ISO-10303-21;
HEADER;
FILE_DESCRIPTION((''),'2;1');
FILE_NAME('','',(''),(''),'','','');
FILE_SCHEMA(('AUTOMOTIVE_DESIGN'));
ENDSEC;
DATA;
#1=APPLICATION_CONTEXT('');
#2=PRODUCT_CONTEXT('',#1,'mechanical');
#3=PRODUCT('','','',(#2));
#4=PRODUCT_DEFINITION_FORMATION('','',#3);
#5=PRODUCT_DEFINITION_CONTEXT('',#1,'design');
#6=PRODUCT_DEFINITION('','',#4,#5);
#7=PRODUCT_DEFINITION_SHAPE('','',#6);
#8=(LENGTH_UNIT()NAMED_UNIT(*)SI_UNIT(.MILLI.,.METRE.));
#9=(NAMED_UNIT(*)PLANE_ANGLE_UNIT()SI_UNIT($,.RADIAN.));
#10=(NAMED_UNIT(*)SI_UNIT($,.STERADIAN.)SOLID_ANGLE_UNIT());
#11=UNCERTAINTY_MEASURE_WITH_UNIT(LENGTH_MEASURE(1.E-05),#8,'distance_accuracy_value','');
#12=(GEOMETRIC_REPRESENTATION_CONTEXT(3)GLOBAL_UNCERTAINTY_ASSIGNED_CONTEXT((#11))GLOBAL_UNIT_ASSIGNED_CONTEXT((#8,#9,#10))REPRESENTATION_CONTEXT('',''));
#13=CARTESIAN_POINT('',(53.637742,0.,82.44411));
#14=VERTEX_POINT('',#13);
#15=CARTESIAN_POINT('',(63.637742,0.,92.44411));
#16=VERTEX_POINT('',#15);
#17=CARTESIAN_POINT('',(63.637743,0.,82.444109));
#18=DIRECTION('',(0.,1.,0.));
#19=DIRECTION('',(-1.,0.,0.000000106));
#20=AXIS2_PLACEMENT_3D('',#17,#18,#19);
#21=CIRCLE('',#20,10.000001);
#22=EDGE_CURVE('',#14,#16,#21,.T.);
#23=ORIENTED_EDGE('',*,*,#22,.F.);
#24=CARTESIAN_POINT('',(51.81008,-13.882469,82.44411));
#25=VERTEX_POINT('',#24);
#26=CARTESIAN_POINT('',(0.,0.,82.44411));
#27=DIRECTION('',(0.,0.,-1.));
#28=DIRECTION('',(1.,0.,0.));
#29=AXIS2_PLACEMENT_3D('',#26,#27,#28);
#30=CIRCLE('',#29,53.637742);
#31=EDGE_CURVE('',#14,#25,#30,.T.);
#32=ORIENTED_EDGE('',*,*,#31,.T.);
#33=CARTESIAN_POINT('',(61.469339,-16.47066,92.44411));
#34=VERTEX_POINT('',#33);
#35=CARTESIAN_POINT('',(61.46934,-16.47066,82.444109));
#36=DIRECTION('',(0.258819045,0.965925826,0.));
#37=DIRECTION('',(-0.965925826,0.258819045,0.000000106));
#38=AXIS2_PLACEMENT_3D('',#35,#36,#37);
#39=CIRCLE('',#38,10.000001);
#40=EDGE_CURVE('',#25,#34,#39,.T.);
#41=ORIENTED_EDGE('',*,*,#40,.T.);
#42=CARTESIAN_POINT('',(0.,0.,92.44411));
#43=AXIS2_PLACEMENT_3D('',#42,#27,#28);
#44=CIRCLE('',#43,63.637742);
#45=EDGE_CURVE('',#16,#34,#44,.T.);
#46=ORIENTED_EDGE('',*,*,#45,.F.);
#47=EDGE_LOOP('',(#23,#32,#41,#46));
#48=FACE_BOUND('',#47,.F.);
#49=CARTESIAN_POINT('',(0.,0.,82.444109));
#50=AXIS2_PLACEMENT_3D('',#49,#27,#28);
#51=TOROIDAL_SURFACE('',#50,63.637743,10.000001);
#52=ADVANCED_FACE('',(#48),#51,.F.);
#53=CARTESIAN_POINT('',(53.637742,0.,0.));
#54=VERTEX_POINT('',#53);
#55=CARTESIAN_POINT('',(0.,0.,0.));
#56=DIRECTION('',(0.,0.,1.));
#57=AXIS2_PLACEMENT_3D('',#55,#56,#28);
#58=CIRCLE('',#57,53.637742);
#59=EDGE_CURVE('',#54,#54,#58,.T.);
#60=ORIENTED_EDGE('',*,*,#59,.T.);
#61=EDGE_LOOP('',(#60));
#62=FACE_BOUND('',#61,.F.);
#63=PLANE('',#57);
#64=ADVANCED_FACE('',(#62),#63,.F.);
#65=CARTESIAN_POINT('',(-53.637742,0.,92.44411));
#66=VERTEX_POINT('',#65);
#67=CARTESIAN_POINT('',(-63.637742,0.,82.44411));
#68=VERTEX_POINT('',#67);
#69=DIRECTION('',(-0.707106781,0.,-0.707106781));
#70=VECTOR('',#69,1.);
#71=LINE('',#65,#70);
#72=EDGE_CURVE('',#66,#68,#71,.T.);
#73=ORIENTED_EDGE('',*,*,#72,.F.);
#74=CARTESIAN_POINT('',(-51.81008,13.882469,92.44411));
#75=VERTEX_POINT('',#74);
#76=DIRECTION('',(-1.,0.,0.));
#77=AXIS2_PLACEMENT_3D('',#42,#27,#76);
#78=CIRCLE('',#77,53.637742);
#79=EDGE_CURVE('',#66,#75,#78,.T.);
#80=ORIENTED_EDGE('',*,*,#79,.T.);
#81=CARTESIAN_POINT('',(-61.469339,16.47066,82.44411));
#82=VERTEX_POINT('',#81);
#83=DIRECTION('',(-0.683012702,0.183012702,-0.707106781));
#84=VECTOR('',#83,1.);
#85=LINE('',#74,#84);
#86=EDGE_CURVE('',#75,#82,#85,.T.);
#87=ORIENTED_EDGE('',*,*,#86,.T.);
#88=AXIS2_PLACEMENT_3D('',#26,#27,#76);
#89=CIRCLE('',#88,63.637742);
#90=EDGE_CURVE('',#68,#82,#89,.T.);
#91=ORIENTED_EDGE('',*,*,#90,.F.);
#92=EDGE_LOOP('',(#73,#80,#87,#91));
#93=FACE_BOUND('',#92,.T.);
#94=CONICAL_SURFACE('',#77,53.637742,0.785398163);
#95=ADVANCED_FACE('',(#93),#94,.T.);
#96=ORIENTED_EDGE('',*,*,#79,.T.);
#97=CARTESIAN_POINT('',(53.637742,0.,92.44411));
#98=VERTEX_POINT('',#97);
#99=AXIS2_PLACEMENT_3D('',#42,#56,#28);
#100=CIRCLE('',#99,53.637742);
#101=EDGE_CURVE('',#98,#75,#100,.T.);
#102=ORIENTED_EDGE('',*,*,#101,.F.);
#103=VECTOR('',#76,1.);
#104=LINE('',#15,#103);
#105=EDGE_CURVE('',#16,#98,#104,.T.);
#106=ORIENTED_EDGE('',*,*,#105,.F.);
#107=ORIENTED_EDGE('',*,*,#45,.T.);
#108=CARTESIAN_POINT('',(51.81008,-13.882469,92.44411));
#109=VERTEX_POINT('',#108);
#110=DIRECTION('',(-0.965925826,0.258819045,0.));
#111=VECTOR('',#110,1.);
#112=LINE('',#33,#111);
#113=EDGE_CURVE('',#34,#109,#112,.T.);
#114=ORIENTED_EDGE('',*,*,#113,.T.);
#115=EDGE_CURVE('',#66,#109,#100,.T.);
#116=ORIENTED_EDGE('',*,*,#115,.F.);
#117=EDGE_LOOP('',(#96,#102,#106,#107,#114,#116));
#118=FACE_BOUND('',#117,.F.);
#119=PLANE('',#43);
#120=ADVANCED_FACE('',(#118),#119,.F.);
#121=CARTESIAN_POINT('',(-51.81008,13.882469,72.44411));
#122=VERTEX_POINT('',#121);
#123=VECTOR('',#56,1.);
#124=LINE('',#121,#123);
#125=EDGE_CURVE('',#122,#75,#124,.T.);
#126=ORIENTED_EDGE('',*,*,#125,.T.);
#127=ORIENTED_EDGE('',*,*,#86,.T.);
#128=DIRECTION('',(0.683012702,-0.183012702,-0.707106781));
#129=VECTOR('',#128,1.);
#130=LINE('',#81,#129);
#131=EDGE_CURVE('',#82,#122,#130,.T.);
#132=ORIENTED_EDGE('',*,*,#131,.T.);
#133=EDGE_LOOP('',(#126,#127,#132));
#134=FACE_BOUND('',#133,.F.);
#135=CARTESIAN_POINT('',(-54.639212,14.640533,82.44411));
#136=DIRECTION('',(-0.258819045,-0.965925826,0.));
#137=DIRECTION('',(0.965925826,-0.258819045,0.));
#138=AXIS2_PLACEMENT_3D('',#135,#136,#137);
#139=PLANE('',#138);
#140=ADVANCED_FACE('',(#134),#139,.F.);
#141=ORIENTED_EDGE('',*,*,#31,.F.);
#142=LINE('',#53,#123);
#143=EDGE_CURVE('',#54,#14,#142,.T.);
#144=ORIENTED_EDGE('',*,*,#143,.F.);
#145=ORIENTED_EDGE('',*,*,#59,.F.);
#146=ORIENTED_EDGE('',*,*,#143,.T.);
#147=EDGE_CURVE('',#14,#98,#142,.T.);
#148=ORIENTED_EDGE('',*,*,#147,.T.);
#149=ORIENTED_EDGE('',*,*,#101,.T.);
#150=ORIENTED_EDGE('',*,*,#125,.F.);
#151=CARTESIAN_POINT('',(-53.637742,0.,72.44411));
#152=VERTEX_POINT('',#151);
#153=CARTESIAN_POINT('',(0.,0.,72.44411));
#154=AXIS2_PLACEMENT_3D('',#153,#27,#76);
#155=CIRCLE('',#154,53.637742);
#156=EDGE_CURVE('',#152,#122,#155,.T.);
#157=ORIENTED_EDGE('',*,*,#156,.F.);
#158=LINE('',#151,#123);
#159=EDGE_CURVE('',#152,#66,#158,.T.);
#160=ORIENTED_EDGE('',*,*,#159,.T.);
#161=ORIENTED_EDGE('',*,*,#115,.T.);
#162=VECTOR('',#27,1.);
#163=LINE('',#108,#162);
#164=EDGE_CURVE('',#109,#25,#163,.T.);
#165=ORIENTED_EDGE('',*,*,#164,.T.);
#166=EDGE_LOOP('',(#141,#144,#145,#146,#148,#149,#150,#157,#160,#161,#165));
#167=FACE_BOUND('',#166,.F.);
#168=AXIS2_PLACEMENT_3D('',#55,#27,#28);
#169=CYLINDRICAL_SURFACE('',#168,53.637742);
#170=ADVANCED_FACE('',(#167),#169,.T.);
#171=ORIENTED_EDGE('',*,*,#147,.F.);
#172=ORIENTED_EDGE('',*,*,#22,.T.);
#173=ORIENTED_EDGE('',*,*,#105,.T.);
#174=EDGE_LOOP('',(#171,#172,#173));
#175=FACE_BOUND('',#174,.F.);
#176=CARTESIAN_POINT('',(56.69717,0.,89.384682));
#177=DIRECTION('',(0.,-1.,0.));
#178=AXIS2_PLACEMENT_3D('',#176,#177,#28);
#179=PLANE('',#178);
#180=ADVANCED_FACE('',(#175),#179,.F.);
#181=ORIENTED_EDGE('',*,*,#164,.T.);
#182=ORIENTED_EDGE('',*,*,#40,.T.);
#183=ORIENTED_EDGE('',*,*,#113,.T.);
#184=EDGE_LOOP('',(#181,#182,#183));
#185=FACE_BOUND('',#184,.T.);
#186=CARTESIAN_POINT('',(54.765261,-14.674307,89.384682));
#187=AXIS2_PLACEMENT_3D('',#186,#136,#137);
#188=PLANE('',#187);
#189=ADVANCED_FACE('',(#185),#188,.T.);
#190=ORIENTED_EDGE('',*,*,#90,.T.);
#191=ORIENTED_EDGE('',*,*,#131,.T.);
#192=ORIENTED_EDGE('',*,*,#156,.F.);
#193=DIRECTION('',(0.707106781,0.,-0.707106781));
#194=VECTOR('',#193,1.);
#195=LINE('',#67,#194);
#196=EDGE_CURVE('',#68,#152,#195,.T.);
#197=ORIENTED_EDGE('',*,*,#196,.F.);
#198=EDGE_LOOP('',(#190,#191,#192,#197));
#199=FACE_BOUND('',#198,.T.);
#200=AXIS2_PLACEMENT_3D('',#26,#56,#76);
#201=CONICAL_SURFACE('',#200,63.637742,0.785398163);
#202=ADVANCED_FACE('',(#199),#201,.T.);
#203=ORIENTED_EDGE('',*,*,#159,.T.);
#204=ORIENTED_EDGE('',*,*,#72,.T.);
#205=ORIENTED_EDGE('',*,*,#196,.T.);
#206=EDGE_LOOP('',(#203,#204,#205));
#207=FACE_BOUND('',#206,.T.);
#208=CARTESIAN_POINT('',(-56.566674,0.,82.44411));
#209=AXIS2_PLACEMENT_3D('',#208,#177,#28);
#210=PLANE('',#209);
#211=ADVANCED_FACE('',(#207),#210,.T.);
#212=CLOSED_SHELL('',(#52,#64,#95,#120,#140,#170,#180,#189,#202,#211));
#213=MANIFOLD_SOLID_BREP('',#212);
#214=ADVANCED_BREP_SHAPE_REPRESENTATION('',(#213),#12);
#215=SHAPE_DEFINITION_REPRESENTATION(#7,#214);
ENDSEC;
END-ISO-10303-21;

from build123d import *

# Parameters (mm, degrees)
F0_R     = 53.637742
F1_DEPTH = 92.44411
F3_ANGLE = 15
F4_ANGLE = 15


with BuildPart() as f1:
    # F0 (on Top) → F1 (new body)
    with BuildSketch(Plane.XY):
        Circle(F0_R)
    extrude(amount=F1_DEPTH)

    # F2 (on Front) → F3 (revolve)
    with BuildSketch(Plane.XZ):
        with BuildLine():
            Line((63.637742, 92.44411), (53.637742, 92.44411))
            Line((53.637742, 92.44411), (53.637742, 82.44411))
            ThreePointArc((53.637742, 82.44411), (56.566675, 89.515178), (63.637742, 92.44411))
        make_face()
    revolve(axis=Axis((0, 0, 0), (0, 0, -1)), revolution_arc=F3_ANGLE)

    # F2 (on Front) → F4 (revolve)
    with BuildSketch(Plane.XZ):
        Polygon((-63.637742, 82.44411), (-53.637742, 72.44411), (-53.637742, 92.44411), align=None)
    revolve(axis=Axis((0, 0, 0), (0, 0, -1)), revolution_arc=F4_ANGLE)


solid = f1.part
